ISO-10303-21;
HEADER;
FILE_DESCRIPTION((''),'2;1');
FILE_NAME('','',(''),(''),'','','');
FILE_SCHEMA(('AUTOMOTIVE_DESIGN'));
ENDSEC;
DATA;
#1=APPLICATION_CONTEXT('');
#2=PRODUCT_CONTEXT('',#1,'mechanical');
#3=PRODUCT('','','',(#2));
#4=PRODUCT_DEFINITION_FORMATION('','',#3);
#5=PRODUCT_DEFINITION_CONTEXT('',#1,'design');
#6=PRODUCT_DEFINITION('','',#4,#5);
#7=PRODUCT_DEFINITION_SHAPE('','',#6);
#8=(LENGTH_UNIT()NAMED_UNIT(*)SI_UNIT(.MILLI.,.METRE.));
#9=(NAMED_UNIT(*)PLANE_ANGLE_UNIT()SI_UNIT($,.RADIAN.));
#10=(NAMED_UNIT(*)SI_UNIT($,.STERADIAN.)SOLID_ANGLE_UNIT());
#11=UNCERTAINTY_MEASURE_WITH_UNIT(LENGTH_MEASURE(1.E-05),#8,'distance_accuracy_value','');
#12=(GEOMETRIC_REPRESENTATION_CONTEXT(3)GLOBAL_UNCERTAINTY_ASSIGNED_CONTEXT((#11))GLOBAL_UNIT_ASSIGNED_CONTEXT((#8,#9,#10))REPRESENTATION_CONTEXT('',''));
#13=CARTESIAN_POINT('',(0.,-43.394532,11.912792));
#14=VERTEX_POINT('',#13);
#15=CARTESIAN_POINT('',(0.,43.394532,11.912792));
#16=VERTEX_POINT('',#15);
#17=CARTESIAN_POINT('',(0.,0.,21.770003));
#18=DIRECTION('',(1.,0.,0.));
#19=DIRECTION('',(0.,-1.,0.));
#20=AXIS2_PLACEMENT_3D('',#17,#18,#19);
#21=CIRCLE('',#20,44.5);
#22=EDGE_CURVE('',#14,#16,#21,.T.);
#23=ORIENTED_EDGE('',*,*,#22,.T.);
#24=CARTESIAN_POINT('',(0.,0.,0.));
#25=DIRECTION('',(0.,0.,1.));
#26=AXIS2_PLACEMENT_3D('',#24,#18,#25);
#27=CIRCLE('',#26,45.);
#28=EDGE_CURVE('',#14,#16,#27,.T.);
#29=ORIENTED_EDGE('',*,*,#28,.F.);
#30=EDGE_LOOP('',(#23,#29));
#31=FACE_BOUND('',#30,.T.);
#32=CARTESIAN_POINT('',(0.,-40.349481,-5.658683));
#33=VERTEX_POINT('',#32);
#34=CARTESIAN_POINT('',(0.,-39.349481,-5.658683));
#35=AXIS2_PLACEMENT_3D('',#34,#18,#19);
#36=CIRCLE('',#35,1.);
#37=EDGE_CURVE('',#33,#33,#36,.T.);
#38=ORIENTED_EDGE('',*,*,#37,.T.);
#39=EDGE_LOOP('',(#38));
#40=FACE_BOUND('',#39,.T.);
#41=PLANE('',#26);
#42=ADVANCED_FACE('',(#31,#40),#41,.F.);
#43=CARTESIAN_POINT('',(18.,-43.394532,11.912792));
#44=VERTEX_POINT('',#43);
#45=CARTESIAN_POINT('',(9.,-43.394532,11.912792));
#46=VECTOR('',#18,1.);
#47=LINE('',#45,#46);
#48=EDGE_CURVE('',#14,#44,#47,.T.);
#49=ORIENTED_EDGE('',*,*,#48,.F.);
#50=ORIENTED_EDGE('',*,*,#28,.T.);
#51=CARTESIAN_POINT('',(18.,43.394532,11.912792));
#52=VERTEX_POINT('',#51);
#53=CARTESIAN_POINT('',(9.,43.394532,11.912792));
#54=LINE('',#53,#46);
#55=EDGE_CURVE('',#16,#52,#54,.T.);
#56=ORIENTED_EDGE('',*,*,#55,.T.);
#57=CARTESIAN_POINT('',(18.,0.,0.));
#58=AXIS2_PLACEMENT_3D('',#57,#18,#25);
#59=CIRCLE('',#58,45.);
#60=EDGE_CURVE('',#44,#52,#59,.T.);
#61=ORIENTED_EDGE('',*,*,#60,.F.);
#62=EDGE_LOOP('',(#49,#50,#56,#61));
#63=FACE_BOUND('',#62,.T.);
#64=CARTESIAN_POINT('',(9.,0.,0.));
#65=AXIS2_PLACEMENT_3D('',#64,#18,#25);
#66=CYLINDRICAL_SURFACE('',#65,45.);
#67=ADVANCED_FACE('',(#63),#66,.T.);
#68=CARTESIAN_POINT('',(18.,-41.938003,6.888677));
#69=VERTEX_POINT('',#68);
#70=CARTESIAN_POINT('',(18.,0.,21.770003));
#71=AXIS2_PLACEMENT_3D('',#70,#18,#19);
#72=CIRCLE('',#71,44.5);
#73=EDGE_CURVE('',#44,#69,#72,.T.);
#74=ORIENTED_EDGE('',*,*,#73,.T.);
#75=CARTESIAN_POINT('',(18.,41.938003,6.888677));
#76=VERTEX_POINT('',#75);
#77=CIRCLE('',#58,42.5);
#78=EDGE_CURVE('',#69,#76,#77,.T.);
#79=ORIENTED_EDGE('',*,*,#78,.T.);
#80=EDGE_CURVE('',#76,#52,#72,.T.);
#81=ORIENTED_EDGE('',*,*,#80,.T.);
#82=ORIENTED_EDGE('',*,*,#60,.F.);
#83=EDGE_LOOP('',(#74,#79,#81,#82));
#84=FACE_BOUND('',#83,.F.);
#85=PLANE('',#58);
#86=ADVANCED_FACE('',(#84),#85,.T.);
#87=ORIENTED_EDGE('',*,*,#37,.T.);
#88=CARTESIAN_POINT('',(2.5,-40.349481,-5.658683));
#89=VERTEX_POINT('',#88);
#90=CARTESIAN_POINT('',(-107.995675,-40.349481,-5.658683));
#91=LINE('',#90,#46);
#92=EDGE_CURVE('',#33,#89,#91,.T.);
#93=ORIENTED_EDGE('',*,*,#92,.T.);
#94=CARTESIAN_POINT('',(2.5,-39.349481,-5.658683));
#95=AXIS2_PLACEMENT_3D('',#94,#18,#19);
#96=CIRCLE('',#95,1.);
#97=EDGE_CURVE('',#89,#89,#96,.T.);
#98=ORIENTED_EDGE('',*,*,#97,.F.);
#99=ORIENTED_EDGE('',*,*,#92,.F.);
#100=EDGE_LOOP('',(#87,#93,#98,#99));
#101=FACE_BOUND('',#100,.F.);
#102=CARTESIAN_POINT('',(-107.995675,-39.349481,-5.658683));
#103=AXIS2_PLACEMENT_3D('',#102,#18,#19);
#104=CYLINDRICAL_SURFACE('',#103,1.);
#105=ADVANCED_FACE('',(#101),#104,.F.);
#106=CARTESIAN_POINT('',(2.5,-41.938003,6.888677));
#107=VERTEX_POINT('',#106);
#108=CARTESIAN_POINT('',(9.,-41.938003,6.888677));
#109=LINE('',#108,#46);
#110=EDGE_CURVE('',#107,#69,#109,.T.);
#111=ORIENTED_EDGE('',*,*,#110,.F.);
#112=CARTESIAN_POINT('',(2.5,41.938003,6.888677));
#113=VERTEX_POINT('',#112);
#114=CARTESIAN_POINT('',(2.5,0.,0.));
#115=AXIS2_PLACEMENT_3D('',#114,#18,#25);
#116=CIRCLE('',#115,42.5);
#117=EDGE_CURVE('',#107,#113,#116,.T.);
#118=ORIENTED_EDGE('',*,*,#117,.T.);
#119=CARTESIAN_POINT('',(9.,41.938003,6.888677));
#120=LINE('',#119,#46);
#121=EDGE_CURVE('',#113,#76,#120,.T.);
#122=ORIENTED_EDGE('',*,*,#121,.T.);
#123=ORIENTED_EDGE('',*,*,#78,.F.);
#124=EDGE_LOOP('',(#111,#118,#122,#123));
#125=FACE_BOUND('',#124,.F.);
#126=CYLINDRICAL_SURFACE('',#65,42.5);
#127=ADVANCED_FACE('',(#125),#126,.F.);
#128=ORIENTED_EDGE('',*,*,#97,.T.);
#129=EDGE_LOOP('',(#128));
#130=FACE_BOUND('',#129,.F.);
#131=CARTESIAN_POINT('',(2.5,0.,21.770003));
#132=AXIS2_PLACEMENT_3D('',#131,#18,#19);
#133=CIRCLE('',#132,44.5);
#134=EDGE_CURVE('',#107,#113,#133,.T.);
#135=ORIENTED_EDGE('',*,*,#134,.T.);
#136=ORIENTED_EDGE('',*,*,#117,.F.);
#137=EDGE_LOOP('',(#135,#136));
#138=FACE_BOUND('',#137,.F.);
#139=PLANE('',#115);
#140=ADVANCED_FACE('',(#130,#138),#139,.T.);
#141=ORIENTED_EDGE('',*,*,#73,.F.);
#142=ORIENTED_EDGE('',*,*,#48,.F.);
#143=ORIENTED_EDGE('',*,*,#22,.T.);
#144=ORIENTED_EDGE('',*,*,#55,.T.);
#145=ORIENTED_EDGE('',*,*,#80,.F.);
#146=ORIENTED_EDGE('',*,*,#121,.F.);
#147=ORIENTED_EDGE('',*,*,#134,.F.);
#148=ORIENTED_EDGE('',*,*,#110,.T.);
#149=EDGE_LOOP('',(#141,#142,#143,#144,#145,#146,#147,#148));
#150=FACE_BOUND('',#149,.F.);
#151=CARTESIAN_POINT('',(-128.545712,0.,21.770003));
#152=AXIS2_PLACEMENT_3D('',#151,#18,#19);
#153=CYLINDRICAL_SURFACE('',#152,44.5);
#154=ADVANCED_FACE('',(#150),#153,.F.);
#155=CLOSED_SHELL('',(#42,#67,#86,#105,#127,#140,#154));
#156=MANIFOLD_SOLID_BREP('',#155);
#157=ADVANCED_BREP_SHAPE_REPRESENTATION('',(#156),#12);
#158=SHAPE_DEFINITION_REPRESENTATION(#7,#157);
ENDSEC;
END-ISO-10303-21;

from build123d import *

# Parameters (mm, degrees)
F0_W = 18
F0_H = 45
F3_D = 6
F5_T = -2.5
F6_D = 89
F8_D = 2


with BuildPart() as f1:
    # F0 (on Front) → F1 (revolve)
    with BuildSketch(Plane.XZ):
        with Locations((9, 22.5)):
            Rectangle(F0_W, F0_H)
    revolve(axis=Axis((9, 0, 0), (1, 0, 0)))

    # F3 (through all)
    with Locations(Plane(origin=(0, 0, 0), x_dir=(0, 1, 0), z_dir=(-1, 0, 0))):
        with Locations((0, 0)):
            Hole(F3_D / 2)

    # F5
    f5_openings = [f1.faces().sort_by_distance(p)[0] for p in [
        (18, 0, -43.727208),
    ]]
    offset(amount=F5_T, openings=f5_openings)

    # F6 (through all)
    with Locations(Plane(origin=(0, 0, 0), x_dir=(0, 1, 0), z_dir=(-1, 0, 0))):
        with Locations((0, -21.7700034969)):
            Hole(F6_D / 2)

    # F8 (through all)
    with Locations(Plane(origin=(0, 0, 0), x_dir=(0, 1, 0), z_dir=(-1, 0, 0))):
        with Locations((-39.3494814634, 5.6586829014)):
            Hole(F8_D / 2)


solid = f1.part
